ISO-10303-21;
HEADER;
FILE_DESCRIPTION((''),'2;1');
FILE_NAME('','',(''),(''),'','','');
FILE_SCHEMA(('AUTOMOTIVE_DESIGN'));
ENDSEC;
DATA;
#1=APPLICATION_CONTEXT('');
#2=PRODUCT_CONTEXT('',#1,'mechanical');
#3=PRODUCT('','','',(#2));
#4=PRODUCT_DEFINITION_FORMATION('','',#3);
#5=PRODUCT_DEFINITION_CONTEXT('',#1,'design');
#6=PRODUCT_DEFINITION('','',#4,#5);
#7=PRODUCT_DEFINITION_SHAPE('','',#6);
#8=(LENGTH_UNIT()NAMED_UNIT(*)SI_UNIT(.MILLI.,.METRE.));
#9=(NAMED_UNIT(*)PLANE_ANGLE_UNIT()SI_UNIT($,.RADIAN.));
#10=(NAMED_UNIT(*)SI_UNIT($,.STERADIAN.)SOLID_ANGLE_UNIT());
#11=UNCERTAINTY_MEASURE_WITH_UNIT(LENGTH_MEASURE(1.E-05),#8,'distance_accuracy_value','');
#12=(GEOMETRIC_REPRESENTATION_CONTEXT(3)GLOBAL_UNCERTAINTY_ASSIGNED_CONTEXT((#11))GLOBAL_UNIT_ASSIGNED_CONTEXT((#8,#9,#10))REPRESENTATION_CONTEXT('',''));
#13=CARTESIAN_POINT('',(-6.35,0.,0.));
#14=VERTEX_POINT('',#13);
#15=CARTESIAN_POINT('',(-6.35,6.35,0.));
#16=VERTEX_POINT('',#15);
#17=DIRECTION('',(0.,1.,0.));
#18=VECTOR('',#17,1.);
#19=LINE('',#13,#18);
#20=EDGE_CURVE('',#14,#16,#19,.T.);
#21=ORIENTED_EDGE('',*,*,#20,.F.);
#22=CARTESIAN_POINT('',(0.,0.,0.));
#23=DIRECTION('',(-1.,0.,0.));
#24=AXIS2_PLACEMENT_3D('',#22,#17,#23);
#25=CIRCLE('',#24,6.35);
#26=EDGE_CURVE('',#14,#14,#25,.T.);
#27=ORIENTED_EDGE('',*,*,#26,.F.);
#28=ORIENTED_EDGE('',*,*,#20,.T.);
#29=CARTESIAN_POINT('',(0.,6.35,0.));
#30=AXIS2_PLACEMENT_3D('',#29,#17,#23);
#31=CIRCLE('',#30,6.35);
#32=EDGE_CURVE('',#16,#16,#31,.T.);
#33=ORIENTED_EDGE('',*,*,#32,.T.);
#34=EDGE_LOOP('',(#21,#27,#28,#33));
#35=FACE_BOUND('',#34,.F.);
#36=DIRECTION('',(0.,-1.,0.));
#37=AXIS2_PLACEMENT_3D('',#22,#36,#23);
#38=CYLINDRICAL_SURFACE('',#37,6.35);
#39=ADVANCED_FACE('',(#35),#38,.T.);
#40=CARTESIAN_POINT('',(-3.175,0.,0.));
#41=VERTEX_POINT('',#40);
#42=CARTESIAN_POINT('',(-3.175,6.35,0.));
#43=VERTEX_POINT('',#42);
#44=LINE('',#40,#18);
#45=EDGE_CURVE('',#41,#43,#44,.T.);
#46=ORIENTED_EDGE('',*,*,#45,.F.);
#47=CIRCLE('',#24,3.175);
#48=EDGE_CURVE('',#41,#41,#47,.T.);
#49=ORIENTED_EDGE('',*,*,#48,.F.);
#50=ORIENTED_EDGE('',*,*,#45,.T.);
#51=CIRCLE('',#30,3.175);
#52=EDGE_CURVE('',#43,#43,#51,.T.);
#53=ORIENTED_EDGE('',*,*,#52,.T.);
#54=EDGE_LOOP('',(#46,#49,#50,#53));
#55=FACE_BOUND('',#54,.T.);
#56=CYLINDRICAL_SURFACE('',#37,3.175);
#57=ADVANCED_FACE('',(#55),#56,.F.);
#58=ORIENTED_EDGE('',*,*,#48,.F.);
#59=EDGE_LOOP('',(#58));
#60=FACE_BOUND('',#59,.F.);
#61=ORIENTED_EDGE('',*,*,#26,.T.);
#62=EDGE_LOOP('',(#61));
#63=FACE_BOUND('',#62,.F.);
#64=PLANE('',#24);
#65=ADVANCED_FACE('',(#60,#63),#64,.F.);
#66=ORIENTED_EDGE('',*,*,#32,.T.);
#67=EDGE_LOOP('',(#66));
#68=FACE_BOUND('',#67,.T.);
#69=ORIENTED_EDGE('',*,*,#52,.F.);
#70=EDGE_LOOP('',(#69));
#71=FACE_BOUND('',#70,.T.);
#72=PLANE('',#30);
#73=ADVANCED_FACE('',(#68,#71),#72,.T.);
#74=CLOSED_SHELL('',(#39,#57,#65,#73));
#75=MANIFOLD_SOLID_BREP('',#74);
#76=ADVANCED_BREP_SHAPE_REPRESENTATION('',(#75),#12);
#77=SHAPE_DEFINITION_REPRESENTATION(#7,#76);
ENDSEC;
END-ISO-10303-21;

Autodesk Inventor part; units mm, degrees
ref_plane "YZ Plane" through (0, 0, 0) normal (1, 0, 0) x (0, 1, 0)
ref_plane "XZ Plane" through (0, 0, 0) normal (0, 1, 0) x (-1, 0, 0)
ref_plane "XY Plane" through (0, 0, 0) normal (0, 0, 1) x (1, 0, 0)
sketch "Sketch1" plane through (0, 0, 0) normal (0, 1, 0) x (-1, 0, 0)
  circle A0 centre (0, 0) radius 6.35
  circle A1 centre (0, 0) radius 3.175
  dimension "d0" = 12.7
  dimension "d1" = 6.35
extrude "Extrusion1" add sketch "Sketch1" along normal blind 6.35
properties part number "bearingmock"
